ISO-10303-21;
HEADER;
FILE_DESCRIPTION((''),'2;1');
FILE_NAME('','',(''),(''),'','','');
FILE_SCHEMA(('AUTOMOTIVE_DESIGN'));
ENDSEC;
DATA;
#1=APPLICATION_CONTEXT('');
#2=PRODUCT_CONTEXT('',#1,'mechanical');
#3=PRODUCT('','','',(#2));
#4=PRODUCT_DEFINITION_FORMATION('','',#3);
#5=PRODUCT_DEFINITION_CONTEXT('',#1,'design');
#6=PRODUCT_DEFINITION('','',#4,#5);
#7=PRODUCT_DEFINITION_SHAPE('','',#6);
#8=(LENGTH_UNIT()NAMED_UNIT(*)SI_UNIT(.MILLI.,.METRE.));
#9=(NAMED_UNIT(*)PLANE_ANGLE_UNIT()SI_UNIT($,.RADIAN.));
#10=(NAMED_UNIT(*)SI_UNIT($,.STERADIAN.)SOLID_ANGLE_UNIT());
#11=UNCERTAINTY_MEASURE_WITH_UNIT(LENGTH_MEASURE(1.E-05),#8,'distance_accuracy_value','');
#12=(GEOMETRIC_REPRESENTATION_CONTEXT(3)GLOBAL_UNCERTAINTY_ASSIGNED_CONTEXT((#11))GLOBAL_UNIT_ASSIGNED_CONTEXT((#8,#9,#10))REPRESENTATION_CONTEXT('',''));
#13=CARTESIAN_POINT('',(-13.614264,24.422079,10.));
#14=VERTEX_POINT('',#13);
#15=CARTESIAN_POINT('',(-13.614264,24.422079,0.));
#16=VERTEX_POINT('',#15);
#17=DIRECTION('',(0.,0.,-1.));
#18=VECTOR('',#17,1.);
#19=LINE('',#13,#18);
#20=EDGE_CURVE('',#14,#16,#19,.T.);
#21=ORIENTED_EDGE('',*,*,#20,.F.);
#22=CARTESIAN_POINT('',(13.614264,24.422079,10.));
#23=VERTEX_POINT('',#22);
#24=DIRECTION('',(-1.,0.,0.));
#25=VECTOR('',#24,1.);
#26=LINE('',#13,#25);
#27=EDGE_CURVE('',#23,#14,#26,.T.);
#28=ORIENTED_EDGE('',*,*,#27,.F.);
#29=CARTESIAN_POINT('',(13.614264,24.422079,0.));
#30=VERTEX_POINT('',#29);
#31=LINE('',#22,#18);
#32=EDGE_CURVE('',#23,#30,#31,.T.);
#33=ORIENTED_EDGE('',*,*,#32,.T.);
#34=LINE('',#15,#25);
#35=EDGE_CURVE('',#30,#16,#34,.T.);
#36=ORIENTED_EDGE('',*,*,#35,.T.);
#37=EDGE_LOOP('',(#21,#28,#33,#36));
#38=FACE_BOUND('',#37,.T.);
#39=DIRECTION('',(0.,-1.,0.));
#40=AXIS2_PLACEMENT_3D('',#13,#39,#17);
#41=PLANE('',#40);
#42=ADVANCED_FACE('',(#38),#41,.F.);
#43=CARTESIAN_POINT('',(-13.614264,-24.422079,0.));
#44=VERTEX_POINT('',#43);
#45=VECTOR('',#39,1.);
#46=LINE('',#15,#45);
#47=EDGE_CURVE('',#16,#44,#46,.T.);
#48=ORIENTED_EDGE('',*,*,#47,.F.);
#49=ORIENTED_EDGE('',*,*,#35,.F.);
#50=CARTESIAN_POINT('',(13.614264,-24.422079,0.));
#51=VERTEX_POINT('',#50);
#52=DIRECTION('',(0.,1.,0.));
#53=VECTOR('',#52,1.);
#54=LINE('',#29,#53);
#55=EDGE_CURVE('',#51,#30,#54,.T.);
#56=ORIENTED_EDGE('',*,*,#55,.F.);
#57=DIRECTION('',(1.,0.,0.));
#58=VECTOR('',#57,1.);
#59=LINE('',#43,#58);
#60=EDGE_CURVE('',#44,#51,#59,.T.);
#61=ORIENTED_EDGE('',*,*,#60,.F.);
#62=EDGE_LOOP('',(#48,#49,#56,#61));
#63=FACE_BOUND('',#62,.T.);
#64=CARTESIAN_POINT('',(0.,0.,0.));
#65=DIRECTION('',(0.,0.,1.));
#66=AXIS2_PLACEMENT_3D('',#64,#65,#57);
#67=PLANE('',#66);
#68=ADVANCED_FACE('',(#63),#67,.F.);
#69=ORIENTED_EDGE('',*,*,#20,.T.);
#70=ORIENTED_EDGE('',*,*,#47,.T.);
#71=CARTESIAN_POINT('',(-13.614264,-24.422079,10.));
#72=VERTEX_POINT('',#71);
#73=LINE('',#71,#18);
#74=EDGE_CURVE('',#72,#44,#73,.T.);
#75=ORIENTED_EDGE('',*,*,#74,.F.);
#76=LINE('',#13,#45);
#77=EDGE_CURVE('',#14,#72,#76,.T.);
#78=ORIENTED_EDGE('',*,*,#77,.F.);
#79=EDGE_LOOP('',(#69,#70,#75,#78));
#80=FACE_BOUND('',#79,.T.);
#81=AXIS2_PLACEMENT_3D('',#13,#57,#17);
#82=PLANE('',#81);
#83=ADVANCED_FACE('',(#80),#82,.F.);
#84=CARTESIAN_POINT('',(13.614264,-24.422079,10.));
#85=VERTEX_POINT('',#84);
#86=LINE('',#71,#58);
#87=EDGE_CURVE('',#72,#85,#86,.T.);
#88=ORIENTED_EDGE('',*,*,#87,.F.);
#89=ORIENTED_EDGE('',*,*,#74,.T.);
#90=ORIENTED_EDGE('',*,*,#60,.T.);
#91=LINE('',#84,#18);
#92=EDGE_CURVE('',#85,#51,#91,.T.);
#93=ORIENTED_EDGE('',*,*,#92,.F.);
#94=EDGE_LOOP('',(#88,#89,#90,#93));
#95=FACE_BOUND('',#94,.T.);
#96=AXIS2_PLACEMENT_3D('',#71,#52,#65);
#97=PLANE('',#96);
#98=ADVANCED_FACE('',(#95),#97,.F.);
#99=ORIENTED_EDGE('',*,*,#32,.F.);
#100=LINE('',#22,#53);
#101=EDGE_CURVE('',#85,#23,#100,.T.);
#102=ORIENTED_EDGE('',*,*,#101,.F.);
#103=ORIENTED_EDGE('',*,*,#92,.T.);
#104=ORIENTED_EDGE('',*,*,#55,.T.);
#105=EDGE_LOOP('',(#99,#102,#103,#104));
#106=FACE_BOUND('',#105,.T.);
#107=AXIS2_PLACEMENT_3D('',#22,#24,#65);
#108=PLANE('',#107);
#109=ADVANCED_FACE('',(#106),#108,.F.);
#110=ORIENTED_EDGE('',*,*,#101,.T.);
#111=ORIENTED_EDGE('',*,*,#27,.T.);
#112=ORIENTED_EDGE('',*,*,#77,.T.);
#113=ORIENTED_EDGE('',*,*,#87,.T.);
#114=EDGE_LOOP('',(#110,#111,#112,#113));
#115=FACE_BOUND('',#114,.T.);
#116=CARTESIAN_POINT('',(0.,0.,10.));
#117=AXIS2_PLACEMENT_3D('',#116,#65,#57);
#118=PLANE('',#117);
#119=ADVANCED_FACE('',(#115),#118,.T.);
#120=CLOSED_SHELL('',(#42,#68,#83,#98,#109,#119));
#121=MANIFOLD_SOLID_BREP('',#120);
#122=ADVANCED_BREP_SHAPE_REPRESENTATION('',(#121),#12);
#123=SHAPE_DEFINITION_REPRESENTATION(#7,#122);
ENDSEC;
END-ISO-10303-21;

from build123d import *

# Parameters (mm, degrees)
SKETCH_1_W      = 27.228527008
SKETCH_1_H      = 48.84415817
EXTRUDE_1_DEPTH = 10


with BuildPart() as part:
    # Эскиз1 → Бобышка-Вытянуть1 (new body)
    with BuildSketch(Plane.XY):
        Rectangle(SKETCH_1_W, SKETCH_1_H)
    extrude(amount=EXTRUDE_1_DEPTH)


solid = part.part
